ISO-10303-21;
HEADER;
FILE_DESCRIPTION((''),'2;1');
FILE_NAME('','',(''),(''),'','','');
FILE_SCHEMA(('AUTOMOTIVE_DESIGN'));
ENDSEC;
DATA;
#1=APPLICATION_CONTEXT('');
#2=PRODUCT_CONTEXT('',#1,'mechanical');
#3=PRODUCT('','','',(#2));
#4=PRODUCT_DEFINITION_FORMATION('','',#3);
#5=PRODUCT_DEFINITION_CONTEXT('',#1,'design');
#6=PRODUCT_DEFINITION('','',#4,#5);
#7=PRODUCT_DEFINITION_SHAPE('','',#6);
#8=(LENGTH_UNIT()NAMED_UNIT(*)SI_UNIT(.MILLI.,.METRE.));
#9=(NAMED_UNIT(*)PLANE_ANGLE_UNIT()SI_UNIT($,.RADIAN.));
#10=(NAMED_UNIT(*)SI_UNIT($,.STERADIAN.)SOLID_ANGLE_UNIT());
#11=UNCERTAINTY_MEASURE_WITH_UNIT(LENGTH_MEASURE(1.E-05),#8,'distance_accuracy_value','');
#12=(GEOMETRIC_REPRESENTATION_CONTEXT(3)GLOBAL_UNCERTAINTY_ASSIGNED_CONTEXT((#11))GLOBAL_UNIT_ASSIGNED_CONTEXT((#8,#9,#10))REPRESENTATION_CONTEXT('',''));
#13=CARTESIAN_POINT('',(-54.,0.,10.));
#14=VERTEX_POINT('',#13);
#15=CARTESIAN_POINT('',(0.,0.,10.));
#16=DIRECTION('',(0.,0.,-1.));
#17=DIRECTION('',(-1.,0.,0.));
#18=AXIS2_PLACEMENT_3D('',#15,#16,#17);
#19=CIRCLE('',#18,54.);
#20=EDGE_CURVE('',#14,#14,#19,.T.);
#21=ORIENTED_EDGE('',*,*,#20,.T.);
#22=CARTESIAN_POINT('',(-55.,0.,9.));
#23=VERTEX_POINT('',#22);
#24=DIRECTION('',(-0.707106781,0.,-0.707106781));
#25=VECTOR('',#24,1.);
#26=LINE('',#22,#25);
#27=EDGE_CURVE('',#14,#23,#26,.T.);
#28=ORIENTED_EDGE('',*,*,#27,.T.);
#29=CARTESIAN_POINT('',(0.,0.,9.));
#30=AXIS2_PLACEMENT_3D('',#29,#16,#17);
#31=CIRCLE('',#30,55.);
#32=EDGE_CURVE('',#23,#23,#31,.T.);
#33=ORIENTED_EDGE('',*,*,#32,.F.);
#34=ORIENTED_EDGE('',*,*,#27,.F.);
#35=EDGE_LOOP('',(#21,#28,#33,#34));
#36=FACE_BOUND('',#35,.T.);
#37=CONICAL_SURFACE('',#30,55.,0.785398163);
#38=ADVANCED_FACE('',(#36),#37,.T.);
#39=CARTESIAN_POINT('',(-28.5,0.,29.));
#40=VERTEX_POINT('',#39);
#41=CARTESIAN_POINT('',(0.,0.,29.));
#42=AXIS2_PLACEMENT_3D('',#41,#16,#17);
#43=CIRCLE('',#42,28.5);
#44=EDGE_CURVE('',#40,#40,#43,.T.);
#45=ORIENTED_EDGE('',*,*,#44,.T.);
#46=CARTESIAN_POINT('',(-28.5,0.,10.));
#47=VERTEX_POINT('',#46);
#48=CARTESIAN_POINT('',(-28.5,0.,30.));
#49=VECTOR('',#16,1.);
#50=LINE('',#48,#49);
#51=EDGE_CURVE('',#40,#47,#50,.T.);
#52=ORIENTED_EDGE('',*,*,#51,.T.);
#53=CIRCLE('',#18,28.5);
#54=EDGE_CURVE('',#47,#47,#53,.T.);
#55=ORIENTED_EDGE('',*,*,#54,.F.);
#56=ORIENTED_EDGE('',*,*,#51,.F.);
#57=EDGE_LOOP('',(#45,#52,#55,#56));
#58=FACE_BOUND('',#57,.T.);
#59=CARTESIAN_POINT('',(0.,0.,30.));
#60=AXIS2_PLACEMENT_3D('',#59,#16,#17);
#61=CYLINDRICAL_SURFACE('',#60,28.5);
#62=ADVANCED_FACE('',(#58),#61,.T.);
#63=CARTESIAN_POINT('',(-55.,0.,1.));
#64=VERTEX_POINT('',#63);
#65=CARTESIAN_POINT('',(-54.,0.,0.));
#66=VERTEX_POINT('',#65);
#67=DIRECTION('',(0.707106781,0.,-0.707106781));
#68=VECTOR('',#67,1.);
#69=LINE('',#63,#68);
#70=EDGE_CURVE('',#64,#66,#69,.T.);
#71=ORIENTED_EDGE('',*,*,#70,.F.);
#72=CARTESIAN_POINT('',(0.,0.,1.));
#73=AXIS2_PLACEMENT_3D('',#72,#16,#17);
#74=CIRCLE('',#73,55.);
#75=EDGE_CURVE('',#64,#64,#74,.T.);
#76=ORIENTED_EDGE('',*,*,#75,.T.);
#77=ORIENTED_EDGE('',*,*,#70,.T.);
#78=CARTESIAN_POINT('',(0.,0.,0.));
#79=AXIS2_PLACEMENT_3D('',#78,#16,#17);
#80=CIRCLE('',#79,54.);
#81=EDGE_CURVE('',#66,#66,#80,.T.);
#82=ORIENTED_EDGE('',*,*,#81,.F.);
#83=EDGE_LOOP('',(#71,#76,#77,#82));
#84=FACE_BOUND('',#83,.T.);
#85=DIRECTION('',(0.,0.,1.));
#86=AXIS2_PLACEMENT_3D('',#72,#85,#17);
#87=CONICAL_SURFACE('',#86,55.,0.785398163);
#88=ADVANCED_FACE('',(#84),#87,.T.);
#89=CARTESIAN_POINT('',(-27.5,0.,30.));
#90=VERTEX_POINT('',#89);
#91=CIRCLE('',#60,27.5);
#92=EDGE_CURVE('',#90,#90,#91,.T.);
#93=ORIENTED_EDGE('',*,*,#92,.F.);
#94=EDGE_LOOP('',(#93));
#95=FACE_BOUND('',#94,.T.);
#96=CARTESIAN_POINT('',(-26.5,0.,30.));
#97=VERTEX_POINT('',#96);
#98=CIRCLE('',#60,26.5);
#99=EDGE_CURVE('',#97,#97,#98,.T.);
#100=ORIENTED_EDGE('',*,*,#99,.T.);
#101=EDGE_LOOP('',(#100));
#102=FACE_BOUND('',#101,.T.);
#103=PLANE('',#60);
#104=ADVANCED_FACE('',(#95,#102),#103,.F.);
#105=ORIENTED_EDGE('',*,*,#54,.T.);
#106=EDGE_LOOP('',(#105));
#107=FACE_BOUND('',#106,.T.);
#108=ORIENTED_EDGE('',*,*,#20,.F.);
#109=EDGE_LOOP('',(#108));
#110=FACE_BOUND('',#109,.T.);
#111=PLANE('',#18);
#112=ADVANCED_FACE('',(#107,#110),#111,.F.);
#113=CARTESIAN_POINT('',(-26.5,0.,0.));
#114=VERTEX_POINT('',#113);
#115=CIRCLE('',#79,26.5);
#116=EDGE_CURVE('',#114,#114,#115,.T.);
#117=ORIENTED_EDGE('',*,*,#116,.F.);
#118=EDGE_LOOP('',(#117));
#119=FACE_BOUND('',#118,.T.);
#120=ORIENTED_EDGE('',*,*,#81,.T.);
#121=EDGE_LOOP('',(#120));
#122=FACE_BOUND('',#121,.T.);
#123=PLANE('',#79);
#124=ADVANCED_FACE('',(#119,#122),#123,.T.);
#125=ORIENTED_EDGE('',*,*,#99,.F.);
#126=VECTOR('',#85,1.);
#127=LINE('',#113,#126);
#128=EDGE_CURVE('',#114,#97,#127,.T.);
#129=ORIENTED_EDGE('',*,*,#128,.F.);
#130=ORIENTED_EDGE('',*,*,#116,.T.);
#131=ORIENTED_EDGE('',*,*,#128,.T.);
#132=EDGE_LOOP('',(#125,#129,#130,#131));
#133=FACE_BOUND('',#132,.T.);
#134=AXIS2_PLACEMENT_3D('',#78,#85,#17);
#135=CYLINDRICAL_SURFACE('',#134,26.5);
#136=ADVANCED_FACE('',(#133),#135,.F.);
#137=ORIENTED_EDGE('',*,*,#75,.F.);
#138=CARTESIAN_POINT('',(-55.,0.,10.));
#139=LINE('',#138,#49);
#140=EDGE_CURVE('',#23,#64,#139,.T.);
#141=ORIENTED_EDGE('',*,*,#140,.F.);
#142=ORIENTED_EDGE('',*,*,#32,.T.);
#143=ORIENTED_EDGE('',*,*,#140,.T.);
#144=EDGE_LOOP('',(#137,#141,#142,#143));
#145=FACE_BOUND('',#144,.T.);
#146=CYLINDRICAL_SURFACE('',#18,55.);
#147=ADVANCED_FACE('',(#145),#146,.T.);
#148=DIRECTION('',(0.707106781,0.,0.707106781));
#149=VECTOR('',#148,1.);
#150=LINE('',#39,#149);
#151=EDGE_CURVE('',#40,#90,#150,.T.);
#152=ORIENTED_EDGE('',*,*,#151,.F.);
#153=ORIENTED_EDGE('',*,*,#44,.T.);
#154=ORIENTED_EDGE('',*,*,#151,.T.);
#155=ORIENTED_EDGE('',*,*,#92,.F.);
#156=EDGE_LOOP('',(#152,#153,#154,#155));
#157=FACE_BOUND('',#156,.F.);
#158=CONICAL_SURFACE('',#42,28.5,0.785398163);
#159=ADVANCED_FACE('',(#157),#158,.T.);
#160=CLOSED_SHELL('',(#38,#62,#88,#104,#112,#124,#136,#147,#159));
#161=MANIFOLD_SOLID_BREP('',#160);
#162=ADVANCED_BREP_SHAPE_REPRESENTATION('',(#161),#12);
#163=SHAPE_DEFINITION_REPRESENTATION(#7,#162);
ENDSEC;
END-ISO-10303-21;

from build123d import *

# Parameters (mm, degrees)
F2_SIZE = 1
F3_SIZE = 1


with BuildPart() as f1:
    # F0 (on Front) → F1 (revolve)
    with BuildSketch(Plane.XZ):
        Polygon((-28.5, 10), (-55, 10), (-55, 0), (-26.5, 0), (-26.5, 30), (-28.5, 30), align=None)
    revolve(axis=Axis((0, 0, 60.018875), (0, 0, -1)))

    # F2
    f2_edges = [f1.edges().sort_by_distance(p)[0] for p in [
        (55, 0, 10),
    ]]
    chamfer(f2_edges, length=F2_SIZE)

    # F3
    f3_edges = [f1.edges().sort_by_distance(p)[0] for p in [
        (28.5, 0, 30),
        (55, 0, 0),
    ]]
    chamfer(f3_edges, length=F3_SIZE)


solid = f1.part
